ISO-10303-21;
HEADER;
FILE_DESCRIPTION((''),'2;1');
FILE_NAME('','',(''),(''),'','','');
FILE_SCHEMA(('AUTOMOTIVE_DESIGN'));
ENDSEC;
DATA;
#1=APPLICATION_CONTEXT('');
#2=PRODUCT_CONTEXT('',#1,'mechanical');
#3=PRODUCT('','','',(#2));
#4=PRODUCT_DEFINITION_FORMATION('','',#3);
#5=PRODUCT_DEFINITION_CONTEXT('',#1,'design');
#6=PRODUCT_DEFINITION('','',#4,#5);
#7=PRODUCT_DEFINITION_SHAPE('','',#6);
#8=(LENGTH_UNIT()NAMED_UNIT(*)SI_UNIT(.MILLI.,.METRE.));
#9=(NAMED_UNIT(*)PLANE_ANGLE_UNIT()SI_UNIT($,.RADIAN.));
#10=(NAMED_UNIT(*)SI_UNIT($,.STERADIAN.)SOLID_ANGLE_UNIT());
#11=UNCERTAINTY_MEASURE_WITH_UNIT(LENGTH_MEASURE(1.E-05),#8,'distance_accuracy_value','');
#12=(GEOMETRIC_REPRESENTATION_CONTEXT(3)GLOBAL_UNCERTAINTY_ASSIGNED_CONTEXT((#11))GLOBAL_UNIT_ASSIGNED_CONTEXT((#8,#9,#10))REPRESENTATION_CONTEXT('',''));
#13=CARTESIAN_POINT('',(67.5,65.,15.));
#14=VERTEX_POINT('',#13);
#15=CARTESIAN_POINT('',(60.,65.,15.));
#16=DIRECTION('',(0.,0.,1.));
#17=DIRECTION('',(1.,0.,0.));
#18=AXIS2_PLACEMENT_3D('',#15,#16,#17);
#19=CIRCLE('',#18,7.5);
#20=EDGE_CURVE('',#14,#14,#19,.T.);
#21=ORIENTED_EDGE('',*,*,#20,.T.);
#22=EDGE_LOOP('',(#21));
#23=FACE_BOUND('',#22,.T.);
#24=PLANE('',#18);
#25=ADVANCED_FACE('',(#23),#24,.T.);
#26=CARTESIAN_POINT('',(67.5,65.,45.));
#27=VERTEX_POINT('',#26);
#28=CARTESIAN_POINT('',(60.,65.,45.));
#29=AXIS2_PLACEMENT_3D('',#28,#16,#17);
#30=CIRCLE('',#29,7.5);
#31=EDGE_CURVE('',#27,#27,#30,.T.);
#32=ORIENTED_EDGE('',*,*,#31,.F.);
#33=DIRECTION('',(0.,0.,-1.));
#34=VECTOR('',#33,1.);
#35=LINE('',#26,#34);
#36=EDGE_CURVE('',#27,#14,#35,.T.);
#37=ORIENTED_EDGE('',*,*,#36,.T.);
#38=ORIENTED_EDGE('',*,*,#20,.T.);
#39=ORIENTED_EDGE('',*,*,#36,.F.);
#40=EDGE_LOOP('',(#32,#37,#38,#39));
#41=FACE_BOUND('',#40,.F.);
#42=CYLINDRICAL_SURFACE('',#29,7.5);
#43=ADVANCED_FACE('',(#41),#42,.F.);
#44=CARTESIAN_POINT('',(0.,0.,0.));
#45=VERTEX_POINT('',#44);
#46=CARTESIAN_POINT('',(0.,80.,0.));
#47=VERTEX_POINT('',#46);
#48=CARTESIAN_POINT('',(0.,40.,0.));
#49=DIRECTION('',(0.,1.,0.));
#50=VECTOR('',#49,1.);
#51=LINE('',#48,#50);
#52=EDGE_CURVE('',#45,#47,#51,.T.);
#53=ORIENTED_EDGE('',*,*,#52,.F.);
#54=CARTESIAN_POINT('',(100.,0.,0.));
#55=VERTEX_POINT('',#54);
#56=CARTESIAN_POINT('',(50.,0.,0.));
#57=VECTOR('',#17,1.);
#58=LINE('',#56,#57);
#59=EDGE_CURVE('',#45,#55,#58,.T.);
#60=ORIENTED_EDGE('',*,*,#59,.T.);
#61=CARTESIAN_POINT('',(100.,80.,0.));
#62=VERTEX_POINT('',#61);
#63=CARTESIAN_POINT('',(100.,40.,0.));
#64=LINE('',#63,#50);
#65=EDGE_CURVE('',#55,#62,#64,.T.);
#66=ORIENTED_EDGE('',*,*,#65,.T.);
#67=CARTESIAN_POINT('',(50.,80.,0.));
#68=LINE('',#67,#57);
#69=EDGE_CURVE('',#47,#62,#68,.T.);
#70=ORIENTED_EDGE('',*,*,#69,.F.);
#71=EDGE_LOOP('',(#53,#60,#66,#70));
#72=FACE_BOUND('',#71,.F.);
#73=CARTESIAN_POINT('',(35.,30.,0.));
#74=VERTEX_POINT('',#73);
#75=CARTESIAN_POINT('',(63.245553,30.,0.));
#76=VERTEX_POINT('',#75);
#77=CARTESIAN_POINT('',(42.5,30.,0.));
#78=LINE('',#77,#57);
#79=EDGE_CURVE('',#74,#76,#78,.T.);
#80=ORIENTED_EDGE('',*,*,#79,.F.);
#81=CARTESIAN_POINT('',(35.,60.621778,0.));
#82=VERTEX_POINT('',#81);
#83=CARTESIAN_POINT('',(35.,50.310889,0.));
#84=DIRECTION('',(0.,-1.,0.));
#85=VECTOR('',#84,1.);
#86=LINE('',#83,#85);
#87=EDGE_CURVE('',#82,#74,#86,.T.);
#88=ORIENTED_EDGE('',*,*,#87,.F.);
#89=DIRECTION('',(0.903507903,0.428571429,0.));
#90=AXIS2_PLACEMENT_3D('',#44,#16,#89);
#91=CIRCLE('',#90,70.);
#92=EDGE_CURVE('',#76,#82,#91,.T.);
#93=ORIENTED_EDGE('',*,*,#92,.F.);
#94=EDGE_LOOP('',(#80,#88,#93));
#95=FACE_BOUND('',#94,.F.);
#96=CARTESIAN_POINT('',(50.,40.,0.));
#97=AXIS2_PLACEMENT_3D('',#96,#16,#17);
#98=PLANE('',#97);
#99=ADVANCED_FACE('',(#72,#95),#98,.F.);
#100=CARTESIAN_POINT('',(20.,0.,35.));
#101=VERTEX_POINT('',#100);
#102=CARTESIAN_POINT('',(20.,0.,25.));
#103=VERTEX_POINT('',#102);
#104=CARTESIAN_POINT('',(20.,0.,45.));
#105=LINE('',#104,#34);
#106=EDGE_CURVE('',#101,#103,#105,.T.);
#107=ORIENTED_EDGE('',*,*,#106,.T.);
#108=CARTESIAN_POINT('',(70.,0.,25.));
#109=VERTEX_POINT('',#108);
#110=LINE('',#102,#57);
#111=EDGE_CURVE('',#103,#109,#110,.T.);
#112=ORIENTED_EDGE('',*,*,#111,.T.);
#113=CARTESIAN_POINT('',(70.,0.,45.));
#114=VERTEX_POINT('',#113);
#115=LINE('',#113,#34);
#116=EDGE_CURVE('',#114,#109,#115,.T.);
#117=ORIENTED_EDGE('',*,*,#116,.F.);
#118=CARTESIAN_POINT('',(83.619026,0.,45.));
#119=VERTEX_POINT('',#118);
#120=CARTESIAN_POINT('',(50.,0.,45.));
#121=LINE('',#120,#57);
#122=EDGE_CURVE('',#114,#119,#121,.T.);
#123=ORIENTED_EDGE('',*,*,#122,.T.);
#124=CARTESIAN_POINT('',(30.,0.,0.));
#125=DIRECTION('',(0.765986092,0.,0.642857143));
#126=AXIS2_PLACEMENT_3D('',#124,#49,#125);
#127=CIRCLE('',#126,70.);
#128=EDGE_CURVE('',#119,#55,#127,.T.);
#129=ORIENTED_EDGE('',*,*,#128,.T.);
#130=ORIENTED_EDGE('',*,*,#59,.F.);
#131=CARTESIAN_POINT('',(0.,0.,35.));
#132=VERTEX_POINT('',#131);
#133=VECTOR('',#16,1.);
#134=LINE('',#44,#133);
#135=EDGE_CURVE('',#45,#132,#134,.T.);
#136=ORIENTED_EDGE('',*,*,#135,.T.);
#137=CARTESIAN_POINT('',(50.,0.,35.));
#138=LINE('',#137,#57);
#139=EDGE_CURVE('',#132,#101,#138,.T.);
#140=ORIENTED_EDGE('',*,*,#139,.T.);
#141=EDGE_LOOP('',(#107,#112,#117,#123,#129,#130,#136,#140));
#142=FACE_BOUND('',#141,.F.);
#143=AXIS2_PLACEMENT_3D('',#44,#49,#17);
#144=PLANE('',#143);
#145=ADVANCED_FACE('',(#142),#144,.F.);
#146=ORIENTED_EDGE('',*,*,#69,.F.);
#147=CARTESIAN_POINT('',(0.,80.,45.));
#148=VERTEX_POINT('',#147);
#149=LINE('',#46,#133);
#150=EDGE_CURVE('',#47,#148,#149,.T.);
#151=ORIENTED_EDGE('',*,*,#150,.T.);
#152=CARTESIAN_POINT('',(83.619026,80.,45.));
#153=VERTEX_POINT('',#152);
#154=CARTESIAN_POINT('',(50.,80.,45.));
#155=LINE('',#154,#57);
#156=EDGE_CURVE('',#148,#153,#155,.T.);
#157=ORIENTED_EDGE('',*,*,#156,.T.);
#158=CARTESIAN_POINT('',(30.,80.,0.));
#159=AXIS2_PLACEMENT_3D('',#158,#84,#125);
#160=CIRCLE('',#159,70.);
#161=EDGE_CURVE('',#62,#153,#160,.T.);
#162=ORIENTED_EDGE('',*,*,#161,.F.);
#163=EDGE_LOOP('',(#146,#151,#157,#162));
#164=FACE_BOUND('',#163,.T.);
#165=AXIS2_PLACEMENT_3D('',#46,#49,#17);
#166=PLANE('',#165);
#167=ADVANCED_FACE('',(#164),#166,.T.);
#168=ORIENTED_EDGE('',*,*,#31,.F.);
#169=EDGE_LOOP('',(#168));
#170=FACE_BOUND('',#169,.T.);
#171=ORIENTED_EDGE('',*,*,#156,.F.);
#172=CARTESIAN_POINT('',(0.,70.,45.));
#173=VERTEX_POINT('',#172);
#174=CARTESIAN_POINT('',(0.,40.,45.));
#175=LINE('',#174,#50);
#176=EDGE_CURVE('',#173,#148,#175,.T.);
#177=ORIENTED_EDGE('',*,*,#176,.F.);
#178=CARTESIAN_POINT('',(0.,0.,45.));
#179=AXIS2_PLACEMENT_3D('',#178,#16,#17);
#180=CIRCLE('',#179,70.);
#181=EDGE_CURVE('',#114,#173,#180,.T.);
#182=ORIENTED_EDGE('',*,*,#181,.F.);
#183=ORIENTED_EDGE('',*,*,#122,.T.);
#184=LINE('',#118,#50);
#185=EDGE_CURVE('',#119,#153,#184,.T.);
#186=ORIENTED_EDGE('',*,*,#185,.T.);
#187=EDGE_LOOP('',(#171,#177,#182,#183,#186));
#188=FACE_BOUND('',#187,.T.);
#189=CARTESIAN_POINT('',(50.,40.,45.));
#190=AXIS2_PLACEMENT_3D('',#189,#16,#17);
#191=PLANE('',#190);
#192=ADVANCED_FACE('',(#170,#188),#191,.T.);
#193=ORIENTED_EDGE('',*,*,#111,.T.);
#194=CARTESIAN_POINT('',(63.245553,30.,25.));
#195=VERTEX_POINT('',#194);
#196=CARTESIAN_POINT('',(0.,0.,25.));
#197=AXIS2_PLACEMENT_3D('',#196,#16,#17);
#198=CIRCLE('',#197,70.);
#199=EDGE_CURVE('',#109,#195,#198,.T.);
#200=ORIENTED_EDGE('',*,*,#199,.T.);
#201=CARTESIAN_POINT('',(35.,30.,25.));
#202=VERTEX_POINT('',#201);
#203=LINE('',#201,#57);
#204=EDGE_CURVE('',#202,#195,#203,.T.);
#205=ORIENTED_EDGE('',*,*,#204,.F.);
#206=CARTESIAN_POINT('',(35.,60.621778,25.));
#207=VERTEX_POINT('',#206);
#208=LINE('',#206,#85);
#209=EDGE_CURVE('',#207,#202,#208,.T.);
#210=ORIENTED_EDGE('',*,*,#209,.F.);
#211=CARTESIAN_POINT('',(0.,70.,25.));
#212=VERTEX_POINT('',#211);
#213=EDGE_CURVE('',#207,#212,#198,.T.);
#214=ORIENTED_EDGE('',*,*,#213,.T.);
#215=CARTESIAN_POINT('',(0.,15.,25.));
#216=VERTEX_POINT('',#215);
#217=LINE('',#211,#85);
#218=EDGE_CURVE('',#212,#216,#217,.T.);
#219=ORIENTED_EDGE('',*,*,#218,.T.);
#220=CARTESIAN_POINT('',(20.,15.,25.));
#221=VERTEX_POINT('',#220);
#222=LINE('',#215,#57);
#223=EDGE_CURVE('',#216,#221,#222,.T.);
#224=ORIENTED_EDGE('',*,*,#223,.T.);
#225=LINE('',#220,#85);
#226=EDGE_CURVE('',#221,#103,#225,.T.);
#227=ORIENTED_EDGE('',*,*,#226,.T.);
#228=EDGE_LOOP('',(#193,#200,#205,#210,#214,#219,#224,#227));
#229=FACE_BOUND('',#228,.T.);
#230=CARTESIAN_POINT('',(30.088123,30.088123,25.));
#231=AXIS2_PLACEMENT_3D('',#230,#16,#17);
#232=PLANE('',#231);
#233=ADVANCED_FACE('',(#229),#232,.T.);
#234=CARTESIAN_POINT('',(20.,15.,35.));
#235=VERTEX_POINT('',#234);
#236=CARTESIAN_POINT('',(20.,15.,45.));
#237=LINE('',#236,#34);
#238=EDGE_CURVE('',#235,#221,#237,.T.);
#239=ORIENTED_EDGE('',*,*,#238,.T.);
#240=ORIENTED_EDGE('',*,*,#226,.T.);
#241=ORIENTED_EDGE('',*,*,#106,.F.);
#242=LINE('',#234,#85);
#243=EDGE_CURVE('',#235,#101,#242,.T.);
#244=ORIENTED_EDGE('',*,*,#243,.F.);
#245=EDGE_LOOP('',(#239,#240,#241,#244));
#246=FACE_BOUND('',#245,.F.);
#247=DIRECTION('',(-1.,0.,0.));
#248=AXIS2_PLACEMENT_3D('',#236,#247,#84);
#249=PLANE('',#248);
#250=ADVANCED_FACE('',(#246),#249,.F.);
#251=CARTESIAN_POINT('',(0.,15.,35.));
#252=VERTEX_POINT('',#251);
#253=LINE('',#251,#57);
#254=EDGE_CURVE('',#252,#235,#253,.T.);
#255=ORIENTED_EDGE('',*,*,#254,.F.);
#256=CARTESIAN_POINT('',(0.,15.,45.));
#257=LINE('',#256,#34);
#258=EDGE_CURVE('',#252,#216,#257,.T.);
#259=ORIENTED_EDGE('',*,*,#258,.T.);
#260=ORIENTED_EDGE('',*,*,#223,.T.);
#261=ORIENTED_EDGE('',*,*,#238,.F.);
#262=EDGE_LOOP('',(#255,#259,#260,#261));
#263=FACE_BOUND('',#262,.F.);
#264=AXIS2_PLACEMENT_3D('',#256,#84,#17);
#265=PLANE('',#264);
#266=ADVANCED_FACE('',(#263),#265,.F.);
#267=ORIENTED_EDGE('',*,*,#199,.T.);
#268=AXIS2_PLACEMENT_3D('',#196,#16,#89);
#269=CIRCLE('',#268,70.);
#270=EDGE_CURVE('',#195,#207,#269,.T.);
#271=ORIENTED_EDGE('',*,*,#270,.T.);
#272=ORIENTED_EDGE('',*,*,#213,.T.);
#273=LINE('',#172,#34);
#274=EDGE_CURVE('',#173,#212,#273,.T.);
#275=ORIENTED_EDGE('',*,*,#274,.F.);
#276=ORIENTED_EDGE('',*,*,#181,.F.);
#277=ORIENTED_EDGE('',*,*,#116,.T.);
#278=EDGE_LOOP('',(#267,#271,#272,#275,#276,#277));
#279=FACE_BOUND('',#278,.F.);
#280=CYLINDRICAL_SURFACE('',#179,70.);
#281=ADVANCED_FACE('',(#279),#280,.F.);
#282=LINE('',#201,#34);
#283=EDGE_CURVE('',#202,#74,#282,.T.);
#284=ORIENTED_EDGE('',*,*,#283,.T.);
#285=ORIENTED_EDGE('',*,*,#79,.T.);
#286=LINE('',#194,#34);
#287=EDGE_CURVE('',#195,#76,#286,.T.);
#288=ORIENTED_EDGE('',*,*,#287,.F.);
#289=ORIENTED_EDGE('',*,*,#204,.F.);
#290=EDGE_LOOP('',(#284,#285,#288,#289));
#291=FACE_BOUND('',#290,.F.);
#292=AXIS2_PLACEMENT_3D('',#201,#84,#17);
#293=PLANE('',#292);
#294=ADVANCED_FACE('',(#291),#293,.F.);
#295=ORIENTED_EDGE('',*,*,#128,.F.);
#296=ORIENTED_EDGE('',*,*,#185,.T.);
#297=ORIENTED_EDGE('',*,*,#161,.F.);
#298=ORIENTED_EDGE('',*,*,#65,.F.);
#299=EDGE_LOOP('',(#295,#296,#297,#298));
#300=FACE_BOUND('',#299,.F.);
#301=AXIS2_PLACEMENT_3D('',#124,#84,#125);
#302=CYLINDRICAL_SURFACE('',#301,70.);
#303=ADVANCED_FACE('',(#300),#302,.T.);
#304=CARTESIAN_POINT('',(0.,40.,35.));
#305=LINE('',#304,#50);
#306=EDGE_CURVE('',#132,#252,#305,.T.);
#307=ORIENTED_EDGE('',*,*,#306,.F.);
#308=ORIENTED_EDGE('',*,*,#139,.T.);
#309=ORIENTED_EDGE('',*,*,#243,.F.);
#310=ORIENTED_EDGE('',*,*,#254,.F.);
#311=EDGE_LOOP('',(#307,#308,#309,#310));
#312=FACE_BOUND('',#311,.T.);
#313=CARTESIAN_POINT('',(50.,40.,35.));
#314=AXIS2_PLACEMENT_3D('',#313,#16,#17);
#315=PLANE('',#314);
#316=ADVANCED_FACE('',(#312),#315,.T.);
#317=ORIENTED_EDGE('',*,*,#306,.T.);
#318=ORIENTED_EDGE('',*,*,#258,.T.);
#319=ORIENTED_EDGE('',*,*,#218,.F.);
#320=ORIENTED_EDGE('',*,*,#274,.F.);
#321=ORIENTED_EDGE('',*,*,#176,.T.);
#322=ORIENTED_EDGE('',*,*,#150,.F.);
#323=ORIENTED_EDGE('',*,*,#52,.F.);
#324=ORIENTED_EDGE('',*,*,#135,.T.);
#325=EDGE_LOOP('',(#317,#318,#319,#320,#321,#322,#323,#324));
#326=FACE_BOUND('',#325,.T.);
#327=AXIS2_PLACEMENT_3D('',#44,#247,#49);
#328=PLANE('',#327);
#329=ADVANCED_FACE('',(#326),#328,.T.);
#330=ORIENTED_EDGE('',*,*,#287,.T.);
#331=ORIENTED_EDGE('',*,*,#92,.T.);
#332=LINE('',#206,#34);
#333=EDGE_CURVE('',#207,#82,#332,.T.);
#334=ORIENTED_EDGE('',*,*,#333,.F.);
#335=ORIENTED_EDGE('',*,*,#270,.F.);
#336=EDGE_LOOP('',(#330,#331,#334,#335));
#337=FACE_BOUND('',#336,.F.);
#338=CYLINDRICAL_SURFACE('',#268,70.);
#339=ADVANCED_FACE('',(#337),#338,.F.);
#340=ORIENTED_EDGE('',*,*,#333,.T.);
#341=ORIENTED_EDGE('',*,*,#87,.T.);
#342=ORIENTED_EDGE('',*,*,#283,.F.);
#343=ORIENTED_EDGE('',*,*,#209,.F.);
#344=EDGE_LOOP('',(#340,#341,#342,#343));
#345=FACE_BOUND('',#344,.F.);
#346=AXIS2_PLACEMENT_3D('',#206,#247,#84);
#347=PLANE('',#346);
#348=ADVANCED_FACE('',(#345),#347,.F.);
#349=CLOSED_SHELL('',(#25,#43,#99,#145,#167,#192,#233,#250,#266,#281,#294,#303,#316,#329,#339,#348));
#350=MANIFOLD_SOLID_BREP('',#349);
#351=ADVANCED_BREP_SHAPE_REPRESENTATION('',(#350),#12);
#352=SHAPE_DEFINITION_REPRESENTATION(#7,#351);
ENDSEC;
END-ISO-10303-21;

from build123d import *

# Parameters (mm, degrees)
F0_W      = 100
F0_H      = 80
F1_DEPTH  = 45
F3_DEPTH  = 80.001
F5_DEPTH  = 20
F6_DEPTH  = 10
F7_R      = 7.5
F8_DEPTH  = 30
F10_DEPTH = 25.001


with BuildPart() as f1:
    # F0 (on Top) → F1 (new body)
    with BuildSketch(Plane.XY):
        with Locations((50, 40)):
            Rectangle(F0_W, F0_H)
    extrude(amount=F1_DEPTH)

    # F2 (on face) → F3 (cut, through all)
    with BuildSketch(Plane.XZ):
        with BuildLine():
            Line((100, 0), (100, 45))
            Line((100, 45), (83.6190264738, 45))
            ThreePointArc((83.6190264738, 45), (95.7773967757, 23.944395449), (100, 0))
        make_face()
    extrude(amount=-F3_DEPTH, mode=Mode.SUBTRACT)

    # F4 (on face) → F5 (cut)
    with BuildSketch(Plane.XY.offset(45)):
        with BuildLine():
            Line((20, 0), (70, 0))
            ThreePointArc((70, 0), (49.4974746831, 49.4974746831), (0, 70))
            Line((0, 70), (0, 15))
            Line((0, 15), (20, 15))
            Line((20, 15), (20, 0))
        make_face()
    extrude(amount=-F5_DEPTH, mode=Mode.SUBTRACT)

    # F6 (cut): a face of the model
    f6_faces = [f1.faces().sort_by_distance(p)[0] for p in [
        (10, 7.5, 45),
    ]]
    extrude(f6_faces, amount=-F6_DEPTH, mode=Mode.SUBTRACT)

    # F7 (on face) → F8 (cut)
    with BuildSketch(Plane.XY.offset(45)):
        with Locations((60, 65)):
            Circle(F7_R)
    extrude(amount=-F8_DEPTH, mode=Mode.SUBTRACT)

    # F9 (on face) → F10 (cut, through all)
    with BuildSketch(Plane.XY.offset(25)):
        with BuildLine():
            ThreePointArc((63.2455532034, 30), (51.4535762322, 47.4608206094), (35, 60.6217782649))
            Line((35, 60.6217782649), (35, 30))
            Line((35, 30), (63.2455532034, 30))
        make_face()
    extrude(amount=-F10_DEPTH, mode=Mode.SUBTRACT)


solid = f1.part
